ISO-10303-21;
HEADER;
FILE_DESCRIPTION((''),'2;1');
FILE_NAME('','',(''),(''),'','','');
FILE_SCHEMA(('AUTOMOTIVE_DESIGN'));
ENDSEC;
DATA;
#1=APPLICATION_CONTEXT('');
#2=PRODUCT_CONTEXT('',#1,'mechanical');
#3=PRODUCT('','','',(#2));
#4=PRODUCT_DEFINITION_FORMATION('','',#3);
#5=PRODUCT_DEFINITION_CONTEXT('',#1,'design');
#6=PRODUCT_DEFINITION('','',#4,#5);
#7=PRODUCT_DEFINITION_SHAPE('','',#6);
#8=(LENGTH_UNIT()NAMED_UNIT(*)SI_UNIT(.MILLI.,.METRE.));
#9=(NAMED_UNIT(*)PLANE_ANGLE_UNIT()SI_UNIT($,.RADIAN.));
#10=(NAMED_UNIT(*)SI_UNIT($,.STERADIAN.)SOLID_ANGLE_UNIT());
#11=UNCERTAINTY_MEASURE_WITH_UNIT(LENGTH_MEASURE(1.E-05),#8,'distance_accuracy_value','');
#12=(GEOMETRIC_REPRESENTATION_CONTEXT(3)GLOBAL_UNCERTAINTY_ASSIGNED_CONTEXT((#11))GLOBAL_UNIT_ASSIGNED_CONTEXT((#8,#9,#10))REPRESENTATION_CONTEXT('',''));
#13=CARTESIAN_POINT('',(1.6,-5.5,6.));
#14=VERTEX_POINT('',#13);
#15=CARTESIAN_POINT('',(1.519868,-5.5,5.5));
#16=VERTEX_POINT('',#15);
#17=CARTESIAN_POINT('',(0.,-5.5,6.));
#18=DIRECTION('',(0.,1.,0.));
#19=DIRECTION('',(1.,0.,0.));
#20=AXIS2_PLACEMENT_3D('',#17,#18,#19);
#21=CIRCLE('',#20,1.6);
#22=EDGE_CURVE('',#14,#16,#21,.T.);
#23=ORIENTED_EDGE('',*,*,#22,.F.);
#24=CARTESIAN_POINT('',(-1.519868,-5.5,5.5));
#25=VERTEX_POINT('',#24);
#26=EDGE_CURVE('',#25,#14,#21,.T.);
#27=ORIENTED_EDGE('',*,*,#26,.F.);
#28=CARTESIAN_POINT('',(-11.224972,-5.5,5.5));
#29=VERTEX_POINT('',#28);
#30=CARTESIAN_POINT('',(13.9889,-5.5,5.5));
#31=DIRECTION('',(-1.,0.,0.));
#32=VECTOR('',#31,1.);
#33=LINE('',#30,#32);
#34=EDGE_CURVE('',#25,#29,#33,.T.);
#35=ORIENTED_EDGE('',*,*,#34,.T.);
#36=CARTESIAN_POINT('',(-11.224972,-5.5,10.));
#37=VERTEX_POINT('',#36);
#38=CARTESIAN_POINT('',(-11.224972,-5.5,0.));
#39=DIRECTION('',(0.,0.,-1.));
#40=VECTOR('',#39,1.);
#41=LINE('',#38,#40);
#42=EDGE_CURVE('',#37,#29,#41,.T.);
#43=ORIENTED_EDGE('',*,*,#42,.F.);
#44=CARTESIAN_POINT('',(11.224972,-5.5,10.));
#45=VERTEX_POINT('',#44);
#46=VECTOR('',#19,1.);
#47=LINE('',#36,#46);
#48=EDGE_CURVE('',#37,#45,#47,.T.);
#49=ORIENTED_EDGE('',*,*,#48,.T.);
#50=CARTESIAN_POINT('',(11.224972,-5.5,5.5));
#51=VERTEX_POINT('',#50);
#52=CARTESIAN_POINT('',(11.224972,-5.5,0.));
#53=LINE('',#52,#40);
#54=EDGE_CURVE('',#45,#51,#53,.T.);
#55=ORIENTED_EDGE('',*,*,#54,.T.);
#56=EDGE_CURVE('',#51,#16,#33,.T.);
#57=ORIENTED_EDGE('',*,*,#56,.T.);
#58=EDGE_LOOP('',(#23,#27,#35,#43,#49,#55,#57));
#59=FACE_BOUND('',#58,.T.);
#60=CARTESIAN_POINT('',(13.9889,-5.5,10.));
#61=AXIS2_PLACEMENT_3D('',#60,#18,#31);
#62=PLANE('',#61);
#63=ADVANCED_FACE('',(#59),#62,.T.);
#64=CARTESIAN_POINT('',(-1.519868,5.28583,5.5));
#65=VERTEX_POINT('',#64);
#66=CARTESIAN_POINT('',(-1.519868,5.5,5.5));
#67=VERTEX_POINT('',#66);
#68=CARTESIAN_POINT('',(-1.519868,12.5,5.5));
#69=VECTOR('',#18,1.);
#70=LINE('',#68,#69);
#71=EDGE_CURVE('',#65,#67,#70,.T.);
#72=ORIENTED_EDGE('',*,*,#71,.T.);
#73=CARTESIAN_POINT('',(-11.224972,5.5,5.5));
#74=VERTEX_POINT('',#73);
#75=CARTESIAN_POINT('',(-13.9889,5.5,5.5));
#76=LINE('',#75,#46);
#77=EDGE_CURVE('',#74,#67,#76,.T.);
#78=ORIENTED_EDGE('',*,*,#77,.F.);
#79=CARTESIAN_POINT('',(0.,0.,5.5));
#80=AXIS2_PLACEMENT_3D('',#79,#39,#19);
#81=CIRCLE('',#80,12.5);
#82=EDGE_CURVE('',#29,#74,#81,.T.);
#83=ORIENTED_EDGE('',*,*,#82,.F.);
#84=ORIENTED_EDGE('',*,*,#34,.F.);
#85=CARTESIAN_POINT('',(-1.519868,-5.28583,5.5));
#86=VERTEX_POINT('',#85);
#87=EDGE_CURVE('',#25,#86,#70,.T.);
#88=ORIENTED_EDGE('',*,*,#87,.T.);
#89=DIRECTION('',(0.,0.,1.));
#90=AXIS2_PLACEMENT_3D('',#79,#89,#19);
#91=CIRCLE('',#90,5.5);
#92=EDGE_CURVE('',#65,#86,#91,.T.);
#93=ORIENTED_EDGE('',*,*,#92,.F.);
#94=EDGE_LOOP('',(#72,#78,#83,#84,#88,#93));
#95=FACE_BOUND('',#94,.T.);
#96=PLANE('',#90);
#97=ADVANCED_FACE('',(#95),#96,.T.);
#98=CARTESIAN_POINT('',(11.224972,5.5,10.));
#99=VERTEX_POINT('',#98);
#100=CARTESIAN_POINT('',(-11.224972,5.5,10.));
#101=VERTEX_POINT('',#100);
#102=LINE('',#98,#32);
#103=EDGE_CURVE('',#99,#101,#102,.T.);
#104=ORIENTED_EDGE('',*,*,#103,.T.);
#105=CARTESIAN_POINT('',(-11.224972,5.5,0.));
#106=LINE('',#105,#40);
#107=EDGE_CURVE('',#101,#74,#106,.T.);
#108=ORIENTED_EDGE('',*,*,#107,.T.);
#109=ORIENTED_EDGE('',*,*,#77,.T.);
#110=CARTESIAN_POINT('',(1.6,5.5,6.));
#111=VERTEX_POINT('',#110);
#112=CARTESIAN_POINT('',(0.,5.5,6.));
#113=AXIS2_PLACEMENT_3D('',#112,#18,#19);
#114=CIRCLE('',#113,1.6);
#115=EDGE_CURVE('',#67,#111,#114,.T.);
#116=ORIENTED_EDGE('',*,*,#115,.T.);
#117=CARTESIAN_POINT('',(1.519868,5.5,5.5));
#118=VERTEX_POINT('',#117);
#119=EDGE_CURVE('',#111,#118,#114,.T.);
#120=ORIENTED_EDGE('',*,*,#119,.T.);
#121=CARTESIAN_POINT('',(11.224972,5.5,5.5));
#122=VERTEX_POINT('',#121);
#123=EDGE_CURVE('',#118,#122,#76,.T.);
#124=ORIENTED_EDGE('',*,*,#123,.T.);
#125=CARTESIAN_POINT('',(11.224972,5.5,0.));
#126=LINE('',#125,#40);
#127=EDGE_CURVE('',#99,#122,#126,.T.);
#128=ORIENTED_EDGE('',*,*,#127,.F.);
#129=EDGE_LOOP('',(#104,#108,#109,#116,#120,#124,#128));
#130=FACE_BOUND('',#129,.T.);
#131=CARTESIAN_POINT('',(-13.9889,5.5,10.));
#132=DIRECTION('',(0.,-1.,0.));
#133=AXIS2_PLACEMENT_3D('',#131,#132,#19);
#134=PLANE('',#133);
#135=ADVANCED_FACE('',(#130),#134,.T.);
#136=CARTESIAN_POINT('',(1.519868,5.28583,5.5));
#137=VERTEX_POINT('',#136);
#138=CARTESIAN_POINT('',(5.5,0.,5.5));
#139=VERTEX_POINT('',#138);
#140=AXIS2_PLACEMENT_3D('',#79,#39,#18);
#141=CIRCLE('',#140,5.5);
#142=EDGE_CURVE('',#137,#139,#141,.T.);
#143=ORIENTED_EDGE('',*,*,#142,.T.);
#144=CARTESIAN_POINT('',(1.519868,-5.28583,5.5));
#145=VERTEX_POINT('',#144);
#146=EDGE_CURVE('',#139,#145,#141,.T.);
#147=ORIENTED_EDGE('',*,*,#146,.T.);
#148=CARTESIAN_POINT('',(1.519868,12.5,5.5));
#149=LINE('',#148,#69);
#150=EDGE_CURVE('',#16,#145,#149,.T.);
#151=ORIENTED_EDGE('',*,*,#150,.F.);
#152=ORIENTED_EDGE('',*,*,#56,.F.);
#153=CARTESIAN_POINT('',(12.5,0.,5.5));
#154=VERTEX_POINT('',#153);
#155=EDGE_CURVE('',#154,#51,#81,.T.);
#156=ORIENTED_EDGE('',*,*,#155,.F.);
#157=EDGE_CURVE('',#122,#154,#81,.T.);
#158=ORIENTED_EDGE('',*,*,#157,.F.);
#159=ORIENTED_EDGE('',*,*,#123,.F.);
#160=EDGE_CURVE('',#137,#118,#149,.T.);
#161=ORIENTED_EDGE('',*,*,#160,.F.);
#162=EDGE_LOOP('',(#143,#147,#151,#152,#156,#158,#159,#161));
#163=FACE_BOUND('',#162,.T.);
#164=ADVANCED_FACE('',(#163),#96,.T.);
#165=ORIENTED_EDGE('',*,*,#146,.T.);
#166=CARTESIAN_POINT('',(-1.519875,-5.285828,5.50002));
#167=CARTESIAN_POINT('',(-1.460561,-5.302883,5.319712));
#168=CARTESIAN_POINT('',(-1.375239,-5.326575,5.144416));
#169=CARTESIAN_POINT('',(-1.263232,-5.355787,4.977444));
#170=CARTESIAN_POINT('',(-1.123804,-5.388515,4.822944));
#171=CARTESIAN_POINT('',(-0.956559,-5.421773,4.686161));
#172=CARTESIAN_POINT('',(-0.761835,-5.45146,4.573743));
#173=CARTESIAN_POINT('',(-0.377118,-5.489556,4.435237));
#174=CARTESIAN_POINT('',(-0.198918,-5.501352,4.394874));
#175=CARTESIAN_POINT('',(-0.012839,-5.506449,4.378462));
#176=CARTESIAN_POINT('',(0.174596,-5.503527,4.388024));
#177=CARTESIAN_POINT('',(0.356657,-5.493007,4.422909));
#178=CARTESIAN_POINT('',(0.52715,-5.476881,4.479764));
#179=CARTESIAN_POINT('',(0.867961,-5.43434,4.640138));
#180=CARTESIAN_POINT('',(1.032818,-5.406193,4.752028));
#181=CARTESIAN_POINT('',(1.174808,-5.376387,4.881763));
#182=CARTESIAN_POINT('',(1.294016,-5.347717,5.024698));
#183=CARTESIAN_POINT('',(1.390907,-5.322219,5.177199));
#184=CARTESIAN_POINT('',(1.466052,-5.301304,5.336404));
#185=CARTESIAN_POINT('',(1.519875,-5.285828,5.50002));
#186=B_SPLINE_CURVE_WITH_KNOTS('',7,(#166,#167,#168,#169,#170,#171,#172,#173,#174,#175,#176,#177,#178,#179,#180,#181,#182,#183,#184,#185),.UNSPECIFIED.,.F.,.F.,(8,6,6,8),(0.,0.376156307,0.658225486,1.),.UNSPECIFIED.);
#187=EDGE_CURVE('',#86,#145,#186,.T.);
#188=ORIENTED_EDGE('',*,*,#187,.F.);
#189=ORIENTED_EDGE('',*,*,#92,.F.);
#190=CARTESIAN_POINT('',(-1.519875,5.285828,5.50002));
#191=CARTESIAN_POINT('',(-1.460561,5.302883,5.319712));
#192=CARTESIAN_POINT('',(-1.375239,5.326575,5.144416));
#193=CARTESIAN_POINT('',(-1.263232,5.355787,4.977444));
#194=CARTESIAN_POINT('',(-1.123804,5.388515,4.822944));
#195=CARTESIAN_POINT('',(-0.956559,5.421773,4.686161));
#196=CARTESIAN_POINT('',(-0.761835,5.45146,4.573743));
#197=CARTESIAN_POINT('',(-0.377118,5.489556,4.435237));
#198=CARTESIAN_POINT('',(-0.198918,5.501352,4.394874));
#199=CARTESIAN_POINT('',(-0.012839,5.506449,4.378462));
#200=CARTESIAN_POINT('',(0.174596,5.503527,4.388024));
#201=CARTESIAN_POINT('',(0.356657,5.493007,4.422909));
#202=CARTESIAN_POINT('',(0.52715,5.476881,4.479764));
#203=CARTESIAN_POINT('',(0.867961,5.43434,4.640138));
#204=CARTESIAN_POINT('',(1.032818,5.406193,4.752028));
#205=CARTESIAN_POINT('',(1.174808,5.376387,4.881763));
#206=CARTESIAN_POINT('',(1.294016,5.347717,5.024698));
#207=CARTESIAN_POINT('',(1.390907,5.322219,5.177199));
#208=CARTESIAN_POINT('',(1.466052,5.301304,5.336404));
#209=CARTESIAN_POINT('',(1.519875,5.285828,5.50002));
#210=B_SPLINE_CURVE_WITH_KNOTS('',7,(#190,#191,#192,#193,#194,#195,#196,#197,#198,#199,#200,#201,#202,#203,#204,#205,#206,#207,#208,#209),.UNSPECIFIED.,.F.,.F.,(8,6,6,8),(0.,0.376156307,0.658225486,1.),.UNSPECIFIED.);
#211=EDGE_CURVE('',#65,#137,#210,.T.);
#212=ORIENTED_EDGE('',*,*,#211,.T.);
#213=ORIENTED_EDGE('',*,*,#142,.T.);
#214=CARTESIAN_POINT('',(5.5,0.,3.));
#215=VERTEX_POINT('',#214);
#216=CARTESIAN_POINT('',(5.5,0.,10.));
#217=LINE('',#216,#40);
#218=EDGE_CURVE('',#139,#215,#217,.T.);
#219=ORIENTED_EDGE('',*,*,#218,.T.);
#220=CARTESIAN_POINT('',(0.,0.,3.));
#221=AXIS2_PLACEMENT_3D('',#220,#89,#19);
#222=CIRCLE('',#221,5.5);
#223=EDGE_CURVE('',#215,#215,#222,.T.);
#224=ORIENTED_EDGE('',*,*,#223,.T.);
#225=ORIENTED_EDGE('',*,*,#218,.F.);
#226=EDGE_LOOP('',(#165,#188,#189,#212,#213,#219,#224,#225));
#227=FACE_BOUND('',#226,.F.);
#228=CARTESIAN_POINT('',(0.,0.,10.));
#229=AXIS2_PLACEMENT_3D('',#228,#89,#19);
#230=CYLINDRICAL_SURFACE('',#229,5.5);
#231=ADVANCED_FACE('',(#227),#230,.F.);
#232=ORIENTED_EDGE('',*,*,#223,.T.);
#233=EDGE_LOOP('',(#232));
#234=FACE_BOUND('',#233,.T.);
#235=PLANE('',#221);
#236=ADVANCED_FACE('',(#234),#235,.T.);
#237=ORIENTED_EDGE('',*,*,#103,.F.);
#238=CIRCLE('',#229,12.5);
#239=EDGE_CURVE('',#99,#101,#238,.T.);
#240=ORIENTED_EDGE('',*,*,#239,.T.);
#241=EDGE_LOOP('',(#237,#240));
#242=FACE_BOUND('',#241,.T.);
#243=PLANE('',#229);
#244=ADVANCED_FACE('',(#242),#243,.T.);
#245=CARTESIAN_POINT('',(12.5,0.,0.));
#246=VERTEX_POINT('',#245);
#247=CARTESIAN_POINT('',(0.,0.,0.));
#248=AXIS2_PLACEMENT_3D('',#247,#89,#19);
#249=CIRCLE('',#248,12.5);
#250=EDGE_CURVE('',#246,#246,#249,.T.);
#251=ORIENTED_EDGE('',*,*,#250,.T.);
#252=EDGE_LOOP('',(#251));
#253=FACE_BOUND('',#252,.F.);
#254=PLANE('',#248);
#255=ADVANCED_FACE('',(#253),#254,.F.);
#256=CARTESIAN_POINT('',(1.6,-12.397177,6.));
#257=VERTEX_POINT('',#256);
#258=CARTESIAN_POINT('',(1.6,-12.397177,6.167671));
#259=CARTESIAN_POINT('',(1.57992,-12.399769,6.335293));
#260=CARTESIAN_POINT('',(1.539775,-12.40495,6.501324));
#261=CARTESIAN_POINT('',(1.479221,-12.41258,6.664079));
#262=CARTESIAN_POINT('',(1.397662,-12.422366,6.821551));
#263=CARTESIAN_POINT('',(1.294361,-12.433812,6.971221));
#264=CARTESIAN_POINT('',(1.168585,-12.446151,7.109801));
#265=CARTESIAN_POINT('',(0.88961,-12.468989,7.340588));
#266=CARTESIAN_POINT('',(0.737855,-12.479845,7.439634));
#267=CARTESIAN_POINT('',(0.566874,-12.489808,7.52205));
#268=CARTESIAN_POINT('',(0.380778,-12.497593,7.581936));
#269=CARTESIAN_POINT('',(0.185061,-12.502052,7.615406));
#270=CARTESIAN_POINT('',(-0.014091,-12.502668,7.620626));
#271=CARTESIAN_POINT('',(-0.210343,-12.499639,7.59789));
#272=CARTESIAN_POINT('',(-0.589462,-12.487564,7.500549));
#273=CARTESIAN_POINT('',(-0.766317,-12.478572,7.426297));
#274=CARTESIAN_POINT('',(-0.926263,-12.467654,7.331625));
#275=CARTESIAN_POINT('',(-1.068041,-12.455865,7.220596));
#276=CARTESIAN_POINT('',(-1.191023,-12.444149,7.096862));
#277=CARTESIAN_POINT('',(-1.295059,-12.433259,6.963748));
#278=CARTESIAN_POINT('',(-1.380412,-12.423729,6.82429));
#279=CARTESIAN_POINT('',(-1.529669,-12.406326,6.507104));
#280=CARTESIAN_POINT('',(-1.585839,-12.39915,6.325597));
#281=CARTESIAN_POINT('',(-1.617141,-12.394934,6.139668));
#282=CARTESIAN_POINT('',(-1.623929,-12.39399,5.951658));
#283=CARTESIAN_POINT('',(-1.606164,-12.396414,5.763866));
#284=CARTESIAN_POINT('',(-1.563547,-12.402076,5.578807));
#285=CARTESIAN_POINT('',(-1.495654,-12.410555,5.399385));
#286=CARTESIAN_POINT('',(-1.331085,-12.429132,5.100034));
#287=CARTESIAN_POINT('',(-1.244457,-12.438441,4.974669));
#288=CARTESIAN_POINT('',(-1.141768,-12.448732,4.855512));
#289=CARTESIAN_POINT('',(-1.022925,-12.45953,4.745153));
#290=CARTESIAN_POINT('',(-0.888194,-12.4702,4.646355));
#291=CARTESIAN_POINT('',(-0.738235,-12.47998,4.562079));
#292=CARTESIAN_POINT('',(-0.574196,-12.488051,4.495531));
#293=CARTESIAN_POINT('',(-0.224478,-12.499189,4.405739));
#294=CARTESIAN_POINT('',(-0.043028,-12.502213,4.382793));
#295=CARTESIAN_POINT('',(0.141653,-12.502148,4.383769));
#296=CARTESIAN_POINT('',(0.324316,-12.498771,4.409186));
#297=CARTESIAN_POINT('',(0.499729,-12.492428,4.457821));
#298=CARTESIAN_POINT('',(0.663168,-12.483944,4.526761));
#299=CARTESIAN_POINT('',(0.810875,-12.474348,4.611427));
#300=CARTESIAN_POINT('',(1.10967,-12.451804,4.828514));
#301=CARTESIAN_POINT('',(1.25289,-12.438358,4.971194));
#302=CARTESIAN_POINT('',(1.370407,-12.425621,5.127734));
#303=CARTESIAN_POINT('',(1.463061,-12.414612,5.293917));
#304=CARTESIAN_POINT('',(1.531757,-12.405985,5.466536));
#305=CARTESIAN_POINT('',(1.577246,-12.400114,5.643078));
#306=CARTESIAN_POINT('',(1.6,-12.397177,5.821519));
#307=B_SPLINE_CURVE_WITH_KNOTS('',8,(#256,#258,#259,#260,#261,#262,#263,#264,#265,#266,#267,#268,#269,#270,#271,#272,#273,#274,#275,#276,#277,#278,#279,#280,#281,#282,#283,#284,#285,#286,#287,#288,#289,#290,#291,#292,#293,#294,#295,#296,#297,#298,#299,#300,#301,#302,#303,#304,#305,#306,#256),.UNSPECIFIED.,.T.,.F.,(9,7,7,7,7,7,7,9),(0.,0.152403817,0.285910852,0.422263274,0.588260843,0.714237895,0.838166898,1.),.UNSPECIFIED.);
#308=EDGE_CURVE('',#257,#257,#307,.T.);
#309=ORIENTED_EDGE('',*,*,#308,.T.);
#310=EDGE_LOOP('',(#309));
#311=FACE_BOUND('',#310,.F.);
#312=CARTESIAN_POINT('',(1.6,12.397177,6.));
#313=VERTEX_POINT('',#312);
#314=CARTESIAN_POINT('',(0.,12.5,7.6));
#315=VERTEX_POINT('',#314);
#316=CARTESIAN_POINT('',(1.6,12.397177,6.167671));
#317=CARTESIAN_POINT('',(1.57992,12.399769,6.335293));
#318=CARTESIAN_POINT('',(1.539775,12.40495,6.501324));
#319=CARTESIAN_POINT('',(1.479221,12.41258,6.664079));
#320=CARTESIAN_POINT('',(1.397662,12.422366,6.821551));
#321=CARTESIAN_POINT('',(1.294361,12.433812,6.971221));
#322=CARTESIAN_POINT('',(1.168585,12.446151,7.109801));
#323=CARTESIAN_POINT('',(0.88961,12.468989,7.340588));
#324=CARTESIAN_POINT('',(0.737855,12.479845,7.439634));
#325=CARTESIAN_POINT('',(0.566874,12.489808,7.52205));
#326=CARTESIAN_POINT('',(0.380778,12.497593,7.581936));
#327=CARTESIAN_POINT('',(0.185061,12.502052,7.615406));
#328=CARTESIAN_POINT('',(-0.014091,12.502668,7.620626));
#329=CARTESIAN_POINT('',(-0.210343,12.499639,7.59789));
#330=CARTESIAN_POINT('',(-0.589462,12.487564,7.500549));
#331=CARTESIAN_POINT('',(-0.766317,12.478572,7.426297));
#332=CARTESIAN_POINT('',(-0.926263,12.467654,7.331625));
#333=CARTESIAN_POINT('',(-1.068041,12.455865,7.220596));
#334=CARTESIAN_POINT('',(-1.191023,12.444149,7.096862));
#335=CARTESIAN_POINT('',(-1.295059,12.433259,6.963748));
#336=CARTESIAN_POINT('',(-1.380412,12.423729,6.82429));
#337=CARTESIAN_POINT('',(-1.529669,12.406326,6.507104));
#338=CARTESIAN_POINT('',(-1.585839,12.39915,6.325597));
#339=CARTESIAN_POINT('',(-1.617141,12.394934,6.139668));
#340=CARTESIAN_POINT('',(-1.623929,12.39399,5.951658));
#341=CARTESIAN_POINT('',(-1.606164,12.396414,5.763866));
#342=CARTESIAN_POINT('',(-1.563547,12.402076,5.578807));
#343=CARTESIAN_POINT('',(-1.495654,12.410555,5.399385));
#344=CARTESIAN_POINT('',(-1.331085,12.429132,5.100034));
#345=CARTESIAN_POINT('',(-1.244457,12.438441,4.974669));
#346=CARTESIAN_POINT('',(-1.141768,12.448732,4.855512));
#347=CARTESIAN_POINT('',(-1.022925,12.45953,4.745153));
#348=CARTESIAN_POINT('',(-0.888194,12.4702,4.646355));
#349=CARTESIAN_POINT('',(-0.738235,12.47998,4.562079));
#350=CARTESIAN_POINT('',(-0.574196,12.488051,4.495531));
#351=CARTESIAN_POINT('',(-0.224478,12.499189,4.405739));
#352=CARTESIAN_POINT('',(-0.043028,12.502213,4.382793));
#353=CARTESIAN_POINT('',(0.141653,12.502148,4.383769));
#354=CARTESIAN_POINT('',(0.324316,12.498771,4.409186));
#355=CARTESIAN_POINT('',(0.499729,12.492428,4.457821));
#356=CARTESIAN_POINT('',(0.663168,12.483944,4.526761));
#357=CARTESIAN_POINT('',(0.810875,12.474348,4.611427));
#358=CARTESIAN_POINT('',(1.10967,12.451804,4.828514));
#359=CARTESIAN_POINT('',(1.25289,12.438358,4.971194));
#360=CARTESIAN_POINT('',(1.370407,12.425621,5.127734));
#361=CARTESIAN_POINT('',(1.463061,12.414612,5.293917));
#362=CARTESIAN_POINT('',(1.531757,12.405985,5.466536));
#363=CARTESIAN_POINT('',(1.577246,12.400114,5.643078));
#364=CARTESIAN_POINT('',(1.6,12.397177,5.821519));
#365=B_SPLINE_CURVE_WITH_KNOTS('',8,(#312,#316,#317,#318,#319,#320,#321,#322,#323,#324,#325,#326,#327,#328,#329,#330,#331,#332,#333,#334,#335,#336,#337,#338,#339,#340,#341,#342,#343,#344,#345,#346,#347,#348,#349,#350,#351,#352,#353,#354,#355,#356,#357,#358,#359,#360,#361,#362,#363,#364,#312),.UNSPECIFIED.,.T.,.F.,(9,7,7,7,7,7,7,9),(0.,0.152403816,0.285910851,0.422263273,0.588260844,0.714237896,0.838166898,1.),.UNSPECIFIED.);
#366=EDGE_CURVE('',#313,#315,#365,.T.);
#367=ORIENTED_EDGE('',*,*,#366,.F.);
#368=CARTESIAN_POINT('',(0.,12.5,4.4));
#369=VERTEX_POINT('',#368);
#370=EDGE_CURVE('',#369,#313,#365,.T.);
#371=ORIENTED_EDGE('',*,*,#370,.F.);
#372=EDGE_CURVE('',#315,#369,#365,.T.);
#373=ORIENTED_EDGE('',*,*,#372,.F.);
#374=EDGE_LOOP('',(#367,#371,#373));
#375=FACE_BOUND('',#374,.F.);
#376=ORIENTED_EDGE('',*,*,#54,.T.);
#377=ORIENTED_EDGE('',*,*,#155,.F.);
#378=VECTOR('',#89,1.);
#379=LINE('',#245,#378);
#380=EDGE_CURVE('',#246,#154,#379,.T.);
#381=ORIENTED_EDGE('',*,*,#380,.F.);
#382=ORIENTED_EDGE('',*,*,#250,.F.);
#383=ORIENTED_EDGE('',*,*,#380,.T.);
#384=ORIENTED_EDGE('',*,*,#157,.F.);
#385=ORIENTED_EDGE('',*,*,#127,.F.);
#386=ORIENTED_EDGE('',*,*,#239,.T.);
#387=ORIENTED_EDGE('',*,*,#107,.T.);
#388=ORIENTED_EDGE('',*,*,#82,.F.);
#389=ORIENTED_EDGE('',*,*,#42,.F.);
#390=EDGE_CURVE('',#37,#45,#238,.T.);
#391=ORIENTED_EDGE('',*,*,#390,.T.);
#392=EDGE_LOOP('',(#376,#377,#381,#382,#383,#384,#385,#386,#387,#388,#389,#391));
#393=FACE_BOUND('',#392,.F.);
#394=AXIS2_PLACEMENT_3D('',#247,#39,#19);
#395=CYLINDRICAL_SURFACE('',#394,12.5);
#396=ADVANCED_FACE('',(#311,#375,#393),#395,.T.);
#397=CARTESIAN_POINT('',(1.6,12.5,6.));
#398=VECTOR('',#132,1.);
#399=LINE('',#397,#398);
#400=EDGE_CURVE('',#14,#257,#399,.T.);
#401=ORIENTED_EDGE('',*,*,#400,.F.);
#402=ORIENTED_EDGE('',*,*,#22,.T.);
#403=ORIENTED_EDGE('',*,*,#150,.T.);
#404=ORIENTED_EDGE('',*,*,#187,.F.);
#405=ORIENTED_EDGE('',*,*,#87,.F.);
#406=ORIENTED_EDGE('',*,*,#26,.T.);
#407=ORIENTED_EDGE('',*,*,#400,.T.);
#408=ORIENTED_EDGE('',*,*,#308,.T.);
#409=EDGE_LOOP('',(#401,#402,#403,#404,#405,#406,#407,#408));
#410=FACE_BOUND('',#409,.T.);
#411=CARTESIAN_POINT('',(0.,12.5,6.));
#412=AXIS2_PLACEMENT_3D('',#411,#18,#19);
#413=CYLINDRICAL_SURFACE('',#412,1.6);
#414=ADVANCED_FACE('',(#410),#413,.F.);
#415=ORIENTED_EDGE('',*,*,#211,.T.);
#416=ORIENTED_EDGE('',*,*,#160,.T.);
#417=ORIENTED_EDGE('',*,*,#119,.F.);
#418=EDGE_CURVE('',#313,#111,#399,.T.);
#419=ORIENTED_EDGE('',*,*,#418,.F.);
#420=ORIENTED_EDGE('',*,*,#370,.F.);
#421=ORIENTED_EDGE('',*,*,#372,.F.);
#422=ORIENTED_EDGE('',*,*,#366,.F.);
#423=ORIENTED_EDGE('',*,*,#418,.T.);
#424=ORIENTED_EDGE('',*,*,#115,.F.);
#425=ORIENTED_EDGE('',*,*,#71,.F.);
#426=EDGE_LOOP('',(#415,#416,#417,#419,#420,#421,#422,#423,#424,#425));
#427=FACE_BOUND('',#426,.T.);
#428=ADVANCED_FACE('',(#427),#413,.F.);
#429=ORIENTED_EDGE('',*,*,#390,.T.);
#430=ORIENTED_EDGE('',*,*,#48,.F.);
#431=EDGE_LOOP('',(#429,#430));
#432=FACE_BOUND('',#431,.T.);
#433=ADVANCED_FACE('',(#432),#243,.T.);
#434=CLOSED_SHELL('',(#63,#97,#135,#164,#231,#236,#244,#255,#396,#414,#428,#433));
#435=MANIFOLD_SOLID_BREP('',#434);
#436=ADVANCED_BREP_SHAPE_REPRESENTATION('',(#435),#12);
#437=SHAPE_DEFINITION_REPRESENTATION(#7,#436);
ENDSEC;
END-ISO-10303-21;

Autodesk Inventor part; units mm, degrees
ref_plane "YZ Plane" through (0, 0, 0) normal (1, 0, 0) x (0, 1, 0)
ref_plane "XZ Plane" through (0, 0, 0) normal (0, 1, 0) x (-1, 0, 0)
ref_plane "XY Plane" through (0, 0, 0) normal (0, 0, 1) x (1, 0, 0)
sketch "Sketch1" plane through (0, 0, 0) normal (0, 0, 1) x (1, 0, 0)
  line L0 (-17.5, 0) -> (17.5, 0) construction
  line L1 (0, -17.5) -> (0, 17.5) construction
  circle A0 centre (0, 0) radius 12.5
  dimension "d0" = 25
extrude "Extrusion1" add sketch "Sketch1" along normal blind 10
sketch "Sketch2" plane through (0, 0, 10) normal (0, 0, 1) x (1, 0, 0)
  circle A0 centre (0, 0) radius 12.5 construction
  circle A1 centre (0, 0) radius 5.5
  dimension "d3" = 11
extrude "Extrusion2" cut sketch "Sketch2" against normal blind 7
sketch "Sketch3" plane through (0, 0, 10) normal (0, 0, 1) x (1, 0, 0)
  circle A0 centre (0, 0) radius 5.5 projected
  circle A1 centre (0, 0) radius 12.5 construction
  line L0 (13.9889, -5.5) -> (-13.9889, -5.5)
  line L1 (-13.9889, -5.5) -> (-13.9889, 5.5)
  line L2 (-13.9889, 5.5) -> (13.9889, 5.5)
  line L3 (13.9889, 5.5) -> (13.9889, -5.5)
  line L4 (13.9889, -5.5) -> (-13.9889, 5.5) construction
  line L5 (-13.9889, -5.5) -> (13.9889, 5.5) construction
  circle A2 centre (0, 0) radius 5.5 construction
extrude "Extrusion3" cut sketch "Sketch3" against normal blind 4.5 contours A0 L2 L3 L0 | A0 L0 L1 L2
ref_plane "Work Plane1" through (0, 12.5, 0) normal (0, -1, 0) x (1, 0, 0)
sketch "Sketch4" plane through (0, 12.5, 0) normal (0, -1, 0) x (1, 0, 0)
  line L0 (-12.5, 0) -> (12.5, 0) construction
  line L1 (-11.225, 10) -> (-11.225, 5.5) construction
  line L2 (-11.225, 5.5) -> (-11.225, 5.5) construction
  line L3 (-11.225, 5.5) -> (-11.225, 10) construction
  line L4 (11.225, 10) -> (-11.225, 10) construction
  line L5 (11.225, 10) -> (11.225, 5.5) construction
  line L6 (11.225, 5.5) -> (11.225, 5.5) construction
  line L7 (11.225, 5.5) -> (11.225, 10) construction
  line L8 (-11.225, 10) -> (11.225, 10) construction
  line L9 (0, -2) -> (0, 12) construction
  circle A0 centre (0, 6) radius 1.6
  point P0 (0, 0)
  dimension "d8" = 3.2
  dimension "d9" = 4
extrude "Extrusion4" cut sketch "Sketch4" along normal through all
